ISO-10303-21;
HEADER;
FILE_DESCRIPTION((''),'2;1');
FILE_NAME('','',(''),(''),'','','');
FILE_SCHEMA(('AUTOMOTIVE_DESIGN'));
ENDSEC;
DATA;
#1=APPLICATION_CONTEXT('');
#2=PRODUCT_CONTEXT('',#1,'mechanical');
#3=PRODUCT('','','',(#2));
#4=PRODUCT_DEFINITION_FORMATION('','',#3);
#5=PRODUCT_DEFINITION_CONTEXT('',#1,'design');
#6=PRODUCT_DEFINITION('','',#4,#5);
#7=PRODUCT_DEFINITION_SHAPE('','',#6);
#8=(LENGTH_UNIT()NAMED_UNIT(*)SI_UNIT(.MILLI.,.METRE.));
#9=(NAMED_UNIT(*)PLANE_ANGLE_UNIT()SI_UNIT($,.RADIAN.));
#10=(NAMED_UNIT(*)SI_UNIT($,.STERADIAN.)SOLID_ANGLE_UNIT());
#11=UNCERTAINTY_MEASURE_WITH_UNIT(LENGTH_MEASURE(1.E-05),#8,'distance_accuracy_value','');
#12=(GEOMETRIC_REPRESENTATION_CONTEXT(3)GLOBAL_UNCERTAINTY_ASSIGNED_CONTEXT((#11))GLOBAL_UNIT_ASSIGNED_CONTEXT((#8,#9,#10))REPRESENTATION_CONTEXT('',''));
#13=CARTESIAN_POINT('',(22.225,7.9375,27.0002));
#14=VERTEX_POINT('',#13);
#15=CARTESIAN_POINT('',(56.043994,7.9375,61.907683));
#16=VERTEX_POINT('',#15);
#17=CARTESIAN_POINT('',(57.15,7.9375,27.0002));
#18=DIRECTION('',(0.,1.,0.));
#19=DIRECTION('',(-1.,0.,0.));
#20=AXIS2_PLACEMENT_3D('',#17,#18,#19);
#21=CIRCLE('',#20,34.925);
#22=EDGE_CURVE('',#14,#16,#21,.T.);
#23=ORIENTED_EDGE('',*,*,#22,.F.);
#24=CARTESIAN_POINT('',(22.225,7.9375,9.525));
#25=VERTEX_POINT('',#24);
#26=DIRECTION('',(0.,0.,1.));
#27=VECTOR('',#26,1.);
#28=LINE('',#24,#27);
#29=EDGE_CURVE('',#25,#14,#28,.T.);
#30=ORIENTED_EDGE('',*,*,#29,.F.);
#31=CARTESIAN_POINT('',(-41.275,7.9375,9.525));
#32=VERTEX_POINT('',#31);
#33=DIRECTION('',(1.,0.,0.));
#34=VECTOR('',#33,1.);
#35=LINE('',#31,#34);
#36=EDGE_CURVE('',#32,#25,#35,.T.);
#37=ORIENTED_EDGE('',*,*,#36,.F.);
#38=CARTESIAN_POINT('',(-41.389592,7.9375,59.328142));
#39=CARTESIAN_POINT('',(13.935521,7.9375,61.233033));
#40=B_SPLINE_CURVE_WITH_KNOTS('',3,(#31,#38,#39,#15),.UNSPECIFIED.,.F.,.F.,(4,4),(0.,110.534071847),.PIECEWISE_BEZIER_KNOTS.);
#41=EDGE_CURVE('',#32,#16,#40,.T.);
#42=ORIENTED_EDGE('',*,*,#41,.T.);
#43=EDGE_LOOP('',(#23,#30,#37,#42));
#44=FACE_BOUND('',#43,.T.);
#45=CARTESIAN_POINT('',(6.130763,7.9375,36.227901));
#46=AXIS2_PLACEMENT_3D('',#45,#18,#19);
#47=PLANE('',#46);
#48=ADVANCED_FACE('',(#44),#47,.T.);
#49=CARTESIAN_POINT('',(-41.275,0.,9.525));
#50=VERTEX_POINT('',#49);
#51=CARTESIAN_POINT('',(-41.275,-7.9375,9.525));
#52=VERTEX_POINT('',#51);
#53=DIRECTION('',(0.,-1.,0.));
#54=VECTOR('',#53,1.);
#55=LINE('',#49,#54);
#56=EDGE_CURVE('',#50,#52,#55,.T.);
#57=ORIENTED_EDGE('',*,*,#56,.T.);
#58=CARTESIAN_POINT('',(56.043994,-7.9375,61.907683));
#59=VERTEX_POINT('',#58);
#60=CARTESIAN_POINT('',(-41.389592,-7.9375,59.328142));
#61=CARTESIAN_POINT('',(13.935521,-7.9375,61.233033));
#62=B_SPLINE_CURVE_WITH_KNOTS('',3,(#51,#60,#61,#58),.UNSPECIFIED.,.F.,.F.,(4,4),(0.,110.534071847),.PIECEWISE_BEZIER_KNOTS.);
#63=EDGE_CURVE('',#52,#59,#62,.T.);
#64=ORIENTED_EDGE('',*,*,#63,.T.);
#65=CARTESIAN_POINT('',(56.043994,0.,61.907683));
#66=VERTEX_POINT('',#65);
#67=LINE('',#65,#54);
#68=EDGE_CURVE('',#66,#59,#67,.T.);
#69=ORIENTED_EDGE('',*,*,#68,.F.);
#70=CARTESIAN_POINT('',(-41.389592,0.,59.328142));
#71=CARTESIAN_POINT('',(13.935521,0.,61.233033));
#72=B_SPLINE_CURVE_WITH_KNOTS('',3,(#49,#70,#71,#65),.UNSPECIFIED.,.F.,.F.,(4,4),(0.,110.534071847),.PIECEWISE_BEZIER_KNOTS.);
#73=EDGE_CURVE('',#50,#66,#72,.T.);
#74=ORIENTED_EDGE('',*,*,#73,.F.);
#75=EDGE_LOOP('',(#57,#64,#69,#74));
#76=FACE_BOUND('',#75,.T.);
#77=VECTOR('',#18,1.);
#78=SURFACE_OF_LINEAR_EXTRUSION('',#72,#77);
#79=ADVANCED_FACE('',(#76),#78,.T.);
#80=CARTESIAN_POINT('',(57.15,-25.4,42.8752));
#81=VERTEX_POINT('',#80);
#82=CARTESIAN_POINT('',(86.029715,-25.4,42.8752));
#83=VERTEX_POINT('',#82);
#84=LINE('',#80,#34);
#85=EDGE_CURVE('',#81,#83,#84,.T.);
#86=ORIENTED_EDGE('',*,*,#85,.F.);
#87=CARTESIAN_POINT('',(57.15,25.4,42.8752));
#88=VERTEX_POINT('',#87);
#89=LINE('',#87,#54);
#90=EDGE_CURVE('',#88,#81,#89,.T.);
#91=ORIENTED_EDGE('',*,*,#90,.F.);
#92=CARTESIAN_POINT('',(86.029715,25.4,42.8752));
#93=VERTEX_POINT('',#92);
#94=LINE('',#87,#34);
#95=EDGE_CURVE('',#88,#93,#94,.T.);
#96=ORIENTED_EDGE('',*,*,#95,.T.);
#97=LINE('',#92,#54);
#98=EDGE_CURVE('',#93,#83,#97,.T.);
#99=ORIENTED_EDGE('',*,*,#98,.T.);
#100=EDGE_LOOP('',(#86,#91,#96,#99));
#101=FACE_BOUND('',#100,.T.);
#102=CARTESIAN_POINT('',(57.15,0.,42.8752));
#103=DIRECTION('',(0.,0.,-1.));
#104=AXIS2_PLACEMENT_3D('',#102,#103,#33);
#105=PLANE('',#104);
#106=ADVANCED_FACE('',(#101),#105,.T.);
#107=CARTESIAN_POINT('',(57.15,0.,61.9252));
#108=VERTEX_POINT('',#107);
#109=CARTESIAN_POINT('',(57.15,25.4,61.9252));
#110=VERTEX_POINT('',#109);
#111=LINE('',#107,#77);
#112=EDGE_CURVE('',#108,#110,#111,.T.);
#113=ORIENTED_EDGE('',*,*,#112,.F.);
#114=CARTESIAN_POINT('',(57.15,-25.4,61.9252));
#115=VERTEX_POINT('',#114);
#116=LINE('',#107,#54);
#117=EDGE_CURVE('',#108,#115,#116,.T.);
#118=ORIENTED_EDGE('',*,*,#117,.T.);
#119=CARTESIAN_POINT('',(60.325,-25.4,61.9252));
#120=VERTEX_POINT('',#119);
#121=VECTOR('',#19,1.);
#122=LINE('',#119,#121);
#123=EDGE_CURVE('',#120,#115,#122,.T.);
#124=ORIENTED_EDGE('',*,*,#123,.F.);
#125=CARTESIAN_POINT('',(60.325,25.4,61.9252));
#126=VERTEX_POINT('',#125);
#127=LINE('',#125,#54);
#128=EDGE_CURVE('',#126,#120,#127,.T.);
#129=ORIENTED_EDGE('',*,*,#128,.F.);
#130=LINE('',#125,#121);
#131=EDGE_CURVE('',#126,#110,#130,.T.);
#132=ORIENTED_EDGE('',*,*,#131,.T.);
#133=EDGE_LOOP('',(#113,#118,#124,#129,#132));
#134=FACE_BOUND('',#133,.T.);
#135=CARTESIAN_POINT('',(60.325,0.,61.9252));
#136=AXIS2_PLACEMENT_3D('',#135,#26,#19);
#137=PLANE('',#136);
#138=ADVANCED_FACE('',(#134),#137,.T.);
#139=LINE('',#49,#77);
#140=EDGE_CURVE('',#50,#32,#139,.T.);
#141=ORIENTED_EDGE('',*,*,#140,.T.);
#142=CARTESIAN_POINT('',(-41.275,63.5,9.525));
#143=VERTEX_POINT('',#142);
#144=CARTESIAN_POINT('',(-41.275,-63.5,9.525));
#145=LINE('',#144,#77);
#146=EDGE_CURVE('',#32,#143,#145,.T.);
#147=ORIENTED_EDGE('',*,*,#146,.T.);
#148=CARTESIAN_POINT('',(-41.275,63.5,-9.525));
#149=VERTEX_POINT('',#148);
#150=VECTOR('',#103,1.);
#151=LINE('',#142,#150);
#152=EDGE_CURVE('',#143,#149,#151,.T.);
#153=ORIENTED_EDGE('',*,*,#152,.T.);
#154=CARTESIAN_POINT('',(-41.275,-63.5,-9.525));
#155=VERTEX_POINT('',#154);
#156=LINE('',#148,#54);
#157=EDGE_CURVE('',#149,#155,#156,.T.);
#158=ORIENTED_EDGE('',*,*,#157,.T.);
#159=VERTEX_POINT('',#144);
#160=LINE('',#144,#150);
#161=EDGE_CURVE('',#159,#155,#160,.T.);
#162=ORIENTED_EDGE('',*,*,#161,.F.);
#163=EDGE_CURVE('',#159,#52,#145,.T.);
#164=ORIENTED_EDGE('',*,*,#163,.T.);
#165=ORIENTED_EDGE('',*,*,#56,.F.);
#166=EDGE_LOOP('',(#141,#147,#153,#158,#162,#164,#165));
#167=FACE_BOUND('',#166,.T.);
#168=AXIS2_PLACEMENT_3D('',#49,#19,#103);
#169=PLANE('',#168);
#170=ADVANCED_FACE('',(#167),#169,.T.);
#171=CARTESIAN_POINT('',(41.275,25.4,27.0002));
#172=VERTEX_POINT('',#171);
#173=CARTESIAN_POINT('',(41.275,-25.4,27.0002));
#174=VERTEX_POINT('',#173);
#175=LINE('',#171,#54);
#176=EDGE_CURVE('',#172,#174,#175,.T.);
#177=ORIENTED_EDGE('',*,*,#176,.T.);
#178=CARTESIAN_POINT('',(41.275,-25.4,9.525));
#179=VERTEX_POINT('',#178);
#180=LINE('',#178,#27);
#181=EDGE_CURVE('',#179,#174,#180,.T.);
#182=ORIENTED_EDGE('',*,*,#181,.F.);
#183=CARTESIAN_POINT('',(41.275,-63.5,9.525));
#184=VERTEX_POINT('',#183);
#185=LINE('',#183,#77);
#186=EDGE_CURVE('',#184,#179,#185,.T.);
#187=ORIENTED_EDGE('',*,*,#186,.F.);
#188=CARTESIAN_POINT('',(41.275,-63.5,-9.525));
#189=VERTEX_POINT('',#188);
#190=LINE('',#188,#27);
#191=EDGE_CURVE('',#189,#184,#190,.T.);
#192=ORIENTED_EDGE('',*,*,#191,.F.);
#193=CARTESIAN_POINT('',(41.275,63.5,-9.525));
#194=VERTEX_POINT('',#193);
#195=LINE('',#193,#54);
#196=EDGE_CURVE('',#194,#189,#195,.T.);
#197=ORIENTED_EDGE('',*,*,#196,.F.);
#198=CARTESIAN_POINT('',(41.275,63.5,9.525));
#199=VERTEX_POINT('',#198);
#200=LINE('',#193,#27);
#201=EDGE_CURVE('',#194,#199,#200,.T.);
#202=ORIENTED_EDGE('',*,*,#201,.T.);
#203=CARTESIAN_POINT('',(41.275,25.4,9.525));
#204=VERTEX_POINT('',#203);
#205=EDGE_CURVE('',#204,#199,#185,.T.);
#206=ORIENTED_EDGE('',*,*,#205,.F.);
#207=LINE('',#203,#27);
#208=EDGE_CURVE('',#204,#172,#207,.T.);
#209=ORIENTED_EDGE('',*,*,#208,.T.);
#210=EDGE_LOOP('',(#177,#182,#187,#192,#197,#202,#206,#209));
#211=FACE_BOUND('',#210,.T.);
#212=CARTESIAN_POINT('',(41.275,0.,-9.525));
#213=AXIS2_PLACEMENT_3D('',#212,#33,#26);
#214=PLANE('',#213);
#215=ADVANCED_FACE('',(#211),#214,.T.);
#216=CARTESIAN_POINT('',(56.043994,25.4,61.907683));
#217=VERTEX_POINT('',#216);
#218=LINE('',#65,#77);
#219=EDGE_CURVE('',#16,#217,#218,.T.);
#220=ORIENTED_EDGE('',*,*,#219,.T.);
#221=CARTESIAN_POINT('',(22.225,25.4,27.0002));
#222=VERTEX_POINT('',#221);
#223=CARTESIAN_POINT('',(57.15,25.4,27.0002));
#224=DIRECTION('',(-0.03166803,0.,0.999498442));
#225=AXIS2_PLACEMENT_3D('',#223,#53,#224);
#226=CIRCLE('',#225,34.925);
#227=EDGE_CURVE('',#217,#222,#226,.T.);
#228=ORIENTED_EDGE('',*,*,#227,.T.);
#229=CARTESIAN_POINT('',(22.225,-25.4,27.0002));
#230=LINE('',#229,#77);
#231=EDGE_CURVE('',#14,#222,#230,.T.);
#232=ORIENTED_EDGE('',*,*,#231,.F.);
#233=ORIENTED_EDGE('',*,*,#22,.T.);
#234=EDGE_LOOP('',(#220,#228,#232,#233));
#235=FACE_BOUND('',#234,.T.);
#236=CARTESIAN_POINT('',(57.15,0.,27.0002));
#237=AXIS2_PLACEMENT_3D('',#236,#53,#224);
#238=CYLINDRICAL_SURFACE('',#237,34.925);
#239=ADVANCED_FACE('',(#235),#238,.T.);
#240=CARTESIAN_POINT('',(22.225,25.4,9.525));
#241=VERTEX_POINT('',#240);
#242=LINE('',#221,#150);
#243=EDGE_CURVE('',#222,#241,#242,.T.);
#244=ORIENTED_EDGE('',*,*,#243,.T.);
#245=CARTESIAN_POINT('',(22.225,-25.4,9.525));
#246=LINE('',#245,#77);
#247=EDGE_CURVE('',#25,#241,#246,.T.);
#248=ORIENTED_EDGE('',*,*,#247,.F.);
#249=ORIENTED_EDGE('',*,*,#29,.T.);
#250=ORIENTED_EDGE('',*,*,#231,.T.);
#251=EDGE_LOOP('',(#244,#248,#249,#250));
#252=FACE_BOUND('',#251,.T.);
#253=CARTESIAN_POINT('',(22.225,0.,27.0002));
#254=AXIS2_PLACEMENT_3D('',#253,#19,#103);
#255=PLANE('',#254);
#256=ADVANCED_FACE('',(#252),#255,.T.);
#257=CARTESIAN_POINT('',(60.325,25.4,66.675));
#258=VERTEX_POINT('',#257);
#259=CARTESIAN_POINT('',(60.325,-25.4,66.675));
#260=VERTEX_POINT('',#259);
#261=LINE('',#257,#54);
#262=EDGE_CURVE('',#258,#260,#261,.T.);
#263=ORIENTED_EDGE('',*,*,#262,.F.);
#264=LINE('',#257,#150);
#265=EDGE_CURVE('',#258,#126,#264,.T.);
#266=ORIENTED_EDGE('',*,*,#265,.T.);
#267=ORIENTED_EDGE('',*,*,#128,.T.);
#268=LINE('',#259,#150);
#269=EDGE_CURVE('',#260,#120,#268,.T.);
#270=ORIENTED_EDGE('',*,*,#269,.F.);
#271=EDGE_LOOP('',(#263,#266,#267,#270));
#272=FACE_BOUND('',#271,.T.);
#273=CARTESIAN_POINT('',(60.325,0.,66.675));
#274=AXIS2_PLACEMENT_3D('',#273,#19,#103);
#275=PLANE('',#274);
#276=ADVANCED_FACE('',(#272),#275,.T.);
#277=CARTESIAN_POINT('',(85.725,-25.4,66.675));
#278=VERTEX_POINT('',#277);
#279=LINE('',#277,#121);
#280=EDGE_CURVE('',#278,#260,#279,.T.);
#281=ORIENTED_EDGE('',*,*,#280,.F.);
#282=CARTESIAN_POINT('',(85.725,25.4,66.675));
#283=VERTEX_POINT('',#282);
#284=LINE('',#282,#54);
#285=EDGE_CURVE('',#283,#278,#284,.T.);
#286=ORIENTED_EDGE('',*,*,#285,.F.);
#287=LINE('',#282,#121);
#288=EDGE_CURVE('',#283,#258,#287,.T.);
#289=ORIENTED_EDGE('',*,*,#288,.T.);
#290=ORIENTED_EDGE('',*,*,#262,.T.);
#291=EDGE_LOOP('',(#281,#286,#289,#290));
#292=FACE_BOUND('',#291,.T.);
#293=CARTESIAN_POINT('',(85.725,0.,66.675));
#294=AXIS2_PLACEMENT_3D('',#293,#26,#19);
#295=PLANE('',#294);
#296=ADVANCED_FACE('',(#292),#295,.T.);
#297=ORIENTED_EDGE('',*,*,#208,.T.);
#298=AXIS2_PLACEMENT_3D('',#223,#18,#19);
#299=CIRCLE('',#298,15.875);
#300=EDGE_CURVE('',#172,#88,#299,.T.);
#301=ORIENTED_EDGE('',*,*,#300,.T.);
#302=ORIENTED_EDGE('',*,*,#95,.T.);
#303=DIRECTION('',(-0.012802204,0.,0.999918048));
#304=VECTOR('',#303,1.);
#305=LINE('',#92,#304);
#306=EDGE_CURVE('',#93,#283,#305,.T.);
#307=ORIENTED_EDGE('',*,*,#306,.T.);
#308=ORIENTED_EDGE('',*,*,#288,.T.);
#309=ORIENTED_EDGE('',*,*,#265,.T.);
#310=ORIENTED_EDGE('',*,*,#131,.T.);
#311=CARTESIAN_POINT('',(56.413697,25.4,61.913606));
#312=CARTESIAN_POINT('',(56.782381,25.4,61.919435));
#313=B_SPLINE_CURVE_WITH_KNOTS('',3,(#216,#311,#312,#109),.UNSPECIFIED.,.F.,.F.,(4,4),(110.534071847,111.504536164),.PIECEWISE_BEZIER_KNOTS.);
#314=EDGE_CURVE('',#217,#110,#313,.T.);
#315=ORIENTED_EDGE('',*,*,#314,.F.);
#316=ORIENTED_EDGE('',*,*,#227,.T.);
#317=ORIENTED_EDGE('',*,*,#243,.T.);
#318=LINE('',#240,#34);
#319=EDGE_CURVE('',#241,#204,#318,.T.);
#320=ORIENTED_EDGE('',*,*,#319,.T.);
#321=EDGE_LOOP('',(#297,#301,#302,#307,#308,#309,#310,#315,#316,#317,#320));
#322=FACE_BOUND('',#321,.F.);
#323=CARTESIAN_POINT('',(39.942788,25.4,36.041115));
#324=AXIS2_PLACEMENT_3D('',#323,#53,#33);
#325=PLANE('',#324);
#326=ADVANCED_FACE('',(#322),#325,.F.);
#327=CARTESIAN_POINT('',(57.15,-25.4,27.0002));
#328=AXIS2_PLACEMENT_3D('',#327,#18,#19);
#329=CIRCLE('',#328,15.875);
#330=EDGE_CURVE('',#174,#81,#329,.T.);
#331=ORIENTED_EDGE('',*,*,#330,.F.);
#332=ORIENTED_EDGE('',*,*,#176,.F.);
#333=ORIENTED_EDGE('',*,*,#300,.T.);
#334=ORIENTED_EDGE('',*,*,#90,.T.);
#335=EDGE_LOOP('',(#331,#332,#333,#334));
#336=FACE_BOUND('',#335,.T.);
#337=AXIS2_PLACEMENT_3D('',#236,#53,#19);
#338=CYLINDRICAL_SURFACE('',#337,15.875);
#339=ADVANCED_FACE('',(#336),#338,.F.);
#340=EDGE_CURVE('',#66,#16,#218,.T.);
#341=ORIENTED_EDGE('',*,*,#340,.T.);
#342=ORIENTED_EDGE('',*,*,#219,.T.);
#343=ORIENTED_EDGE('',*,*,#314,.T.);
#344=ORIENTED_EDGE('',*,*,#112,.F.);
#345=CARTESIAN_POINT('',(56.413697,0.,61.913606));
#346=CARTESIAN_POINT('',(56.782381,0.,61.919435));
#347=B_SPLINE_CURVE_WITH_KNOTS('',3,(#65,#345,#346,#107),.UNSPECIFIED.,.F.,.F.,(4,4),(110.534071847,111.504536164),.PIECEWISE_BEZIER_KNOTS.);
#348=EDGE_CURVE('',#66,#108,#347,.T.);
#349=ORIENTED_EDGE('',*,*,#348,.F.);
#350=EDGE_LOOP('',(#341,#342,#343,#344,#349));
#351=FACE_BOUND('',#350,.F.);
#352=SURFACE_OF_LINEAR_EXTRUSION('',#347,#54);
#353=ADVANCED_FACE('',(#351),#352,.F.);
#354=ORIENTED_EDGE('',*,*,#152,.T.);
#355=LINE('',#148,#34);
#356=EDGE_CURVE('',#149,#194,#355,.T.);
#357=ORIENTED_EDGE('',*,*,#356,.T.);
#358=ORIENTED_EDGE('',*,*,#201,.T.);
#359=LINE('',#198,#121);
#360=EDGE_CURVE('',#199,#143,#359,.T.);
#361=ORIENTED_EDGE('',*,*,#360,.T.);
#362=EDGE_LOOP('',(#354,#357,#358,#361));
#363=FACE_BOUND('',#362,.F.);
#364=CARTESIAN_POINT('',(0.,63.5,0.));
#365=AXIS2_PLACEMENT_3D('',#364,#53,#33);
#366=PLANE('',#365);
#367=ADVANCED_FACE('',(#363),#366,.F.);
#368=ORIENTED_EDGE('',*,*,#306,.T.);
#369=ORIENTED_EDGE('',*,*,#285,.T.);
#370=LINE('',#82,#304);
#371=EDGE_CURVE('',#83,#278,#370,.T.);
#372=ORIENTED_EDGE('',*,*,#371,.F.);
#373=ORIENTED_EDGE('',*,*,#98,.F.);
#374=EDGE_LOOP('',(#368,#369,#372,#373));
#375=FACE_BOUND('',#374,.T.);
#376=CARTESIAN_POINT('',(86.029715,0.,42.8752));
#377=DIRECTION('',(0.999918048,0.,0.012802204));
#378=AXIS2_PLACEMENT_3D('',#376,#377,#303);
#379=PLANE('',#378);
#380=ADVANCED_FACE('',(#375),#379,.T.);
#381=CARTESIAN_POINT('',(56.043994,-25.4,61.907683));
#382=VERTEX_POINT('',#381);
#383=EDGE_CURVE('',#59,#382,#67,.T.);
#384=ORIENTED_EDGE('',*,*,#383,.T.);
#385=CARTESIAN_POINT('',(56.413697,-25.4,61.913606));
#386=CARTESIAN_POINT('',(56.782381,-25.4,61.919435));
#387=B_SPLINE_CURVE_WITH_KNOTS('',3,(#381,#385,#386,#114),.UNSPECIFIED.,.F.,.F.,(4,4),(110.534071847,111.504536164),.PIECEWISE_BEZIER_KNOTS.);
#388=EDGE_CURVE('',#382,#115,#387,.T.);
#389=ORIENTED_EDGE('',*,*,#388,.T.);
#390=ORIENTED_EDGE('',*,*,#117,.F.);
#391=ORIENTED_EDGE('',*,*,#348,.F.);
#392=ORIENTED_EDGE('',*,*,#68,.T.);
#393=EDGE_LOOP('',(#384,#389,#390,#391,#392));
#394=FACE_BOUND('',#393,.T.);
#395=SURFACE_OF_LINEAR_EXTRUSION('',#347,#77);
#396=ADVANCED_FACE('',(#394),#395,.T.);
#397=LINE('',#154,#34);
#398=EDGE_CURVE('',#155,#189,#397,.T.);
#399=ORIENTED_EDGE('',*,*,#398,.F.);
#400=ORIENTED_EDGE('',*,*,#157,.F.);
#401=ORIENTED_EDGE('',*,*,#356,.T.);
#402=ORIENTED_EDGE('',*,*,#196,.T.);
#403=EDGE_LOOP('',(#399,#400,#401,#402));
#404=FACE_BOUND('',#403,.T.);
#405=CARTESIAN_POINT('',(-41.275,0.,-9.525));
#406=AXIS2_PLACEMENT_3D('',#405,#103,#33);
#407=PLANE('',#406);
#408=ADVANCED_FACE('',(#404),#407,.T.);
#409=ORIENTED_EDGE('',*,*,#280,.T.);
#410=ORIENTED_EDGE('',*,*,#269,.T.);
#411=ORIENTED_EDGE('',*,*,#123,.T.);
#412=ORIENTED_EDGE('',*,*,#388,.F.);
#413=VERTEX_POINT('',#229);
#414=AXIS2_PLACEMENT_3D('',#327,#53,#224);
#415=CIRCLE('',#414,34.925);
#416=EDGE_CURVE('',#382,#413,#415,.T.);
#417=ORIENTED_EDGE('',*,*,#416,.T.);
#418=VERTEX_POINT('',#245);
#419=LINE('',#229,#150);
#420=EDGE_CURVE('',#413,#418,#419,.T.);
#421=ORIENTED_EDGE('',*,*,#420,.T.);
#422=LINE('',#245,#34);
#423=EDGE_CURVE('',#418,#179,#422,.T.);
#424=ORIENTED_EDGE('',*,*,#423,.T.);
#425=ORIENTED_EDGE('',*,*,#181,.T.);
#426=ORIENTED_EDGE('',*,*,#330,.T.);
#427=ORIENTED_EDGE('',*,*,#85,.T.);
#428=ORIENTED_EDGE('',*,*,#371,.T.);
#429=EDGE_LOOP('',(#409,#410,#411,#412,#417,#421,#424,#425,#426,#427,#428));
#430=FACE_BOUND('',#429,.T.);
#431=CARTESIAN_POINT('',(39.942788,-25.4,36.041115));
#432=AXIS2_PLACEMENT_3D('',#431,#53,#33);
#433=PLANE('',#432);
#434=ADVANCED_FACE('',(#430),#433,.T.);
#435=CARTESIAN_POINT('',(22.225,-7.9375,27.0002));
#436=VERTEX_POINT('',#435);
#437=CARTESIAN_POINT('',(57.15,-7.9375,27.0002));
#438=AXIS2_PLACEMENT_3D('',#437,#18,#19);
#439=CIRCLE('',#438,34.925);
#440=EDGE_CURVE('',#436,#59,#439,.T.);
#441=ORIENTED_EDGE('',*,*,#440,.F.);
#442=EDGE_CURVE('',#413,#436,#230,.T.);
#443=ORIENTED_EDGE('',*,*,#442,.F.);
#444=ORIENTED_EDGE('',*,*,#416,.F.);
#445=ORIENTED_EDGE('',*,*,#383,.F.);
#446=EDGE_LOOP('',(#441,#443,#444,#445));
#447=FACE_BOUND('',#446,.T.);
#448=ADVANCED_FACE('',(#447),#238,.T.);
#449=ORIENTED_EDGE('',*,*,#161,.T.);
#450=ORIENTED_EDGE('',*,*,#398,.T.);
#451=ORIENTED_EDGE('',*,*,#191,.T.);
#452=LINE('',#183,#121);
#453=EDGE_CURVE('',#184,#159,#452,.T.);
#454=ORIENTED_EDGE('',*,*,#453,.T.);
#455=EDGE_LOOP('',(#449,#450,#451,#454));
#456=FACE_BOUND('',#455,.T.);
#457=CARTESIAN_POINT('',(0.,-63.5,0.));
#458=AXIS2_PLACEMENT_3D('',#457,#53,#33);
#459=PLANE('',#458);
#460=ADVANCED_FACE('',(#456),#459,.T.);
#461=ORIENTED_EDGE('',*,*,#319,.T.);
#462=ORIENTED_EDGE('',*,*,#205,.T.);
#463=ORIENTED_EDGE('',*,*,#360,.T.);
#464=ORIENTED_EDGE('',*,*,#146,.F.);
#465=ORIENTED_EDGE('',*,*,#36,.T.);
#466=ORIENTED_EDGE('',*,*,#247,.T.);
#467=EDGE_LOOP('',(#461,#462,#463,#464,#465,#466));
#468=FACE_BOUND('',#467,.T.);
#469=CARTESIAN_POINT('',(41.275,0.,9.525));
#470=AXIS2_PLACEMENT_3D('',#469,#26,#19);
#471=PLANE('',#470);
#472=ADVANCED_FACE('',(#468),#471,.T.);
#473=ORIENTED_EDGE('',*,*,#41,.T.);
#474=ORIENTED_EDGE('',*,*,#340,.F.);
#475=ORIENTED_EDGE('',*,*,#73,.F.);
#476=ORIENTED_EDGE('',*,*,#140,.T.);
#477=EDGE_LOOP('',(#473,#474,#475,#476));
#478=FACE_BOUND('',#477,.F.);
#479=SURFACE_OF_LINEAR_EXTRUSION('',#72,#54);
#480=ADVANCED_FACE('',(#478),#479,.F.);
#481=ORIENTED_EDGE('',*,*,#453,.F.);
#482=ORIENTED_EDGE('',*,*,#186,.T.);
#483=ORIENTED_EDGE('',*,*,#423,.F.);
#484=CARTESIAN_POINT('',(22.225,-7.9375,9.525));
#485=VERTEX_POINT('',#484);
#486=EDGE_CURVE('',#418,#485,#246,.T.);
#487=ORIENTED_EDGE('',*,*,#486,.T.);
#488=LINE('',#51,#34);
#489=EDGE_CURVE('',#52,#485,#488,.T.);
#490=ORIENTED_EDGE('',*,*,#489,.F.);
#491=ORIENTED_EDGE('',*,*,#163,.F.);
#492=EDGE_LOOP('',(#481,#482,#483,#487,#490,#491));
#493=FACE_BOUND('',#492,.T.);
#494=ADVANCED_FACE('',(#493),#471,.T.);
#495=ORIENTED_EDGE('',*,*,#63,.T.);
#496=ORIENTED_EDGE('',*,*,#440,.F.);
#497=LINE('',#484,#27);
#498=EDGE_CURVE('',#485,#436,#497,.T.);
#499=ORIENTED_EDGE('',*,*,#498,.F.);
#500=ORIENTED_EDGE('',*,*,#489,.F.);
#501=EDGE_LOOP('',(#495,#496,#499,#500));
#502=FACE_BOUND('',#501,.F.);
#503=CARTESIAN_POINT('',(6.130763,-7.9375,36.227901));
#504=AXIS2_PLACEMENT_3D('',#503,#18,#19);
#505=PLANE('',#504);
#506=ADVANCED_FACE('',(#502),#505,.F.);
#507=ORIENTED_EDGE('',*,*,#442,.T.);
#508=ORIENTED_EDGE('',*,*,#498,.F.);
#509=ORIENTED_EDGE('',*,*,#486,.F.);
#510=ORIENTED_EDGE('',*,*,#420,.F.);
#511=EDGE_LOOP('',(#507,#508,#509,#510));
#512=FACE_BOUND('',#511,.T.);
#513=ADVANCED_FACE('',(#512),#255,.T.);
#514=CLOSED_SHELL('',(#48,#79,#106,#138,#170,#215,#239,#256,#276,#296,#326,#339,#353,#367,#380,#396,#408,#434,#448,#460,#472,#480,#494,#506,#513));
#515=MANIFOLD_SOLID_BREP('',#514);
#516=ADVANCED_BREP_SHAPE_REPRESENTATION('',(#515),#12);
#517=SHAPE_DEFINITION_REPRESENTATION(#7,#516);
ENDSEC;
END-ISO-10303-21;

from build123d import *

# Parameters (mm, degrees)
F1_DEPTH = 63.5
F2_DEPTH = 25.4
F3_DEPTH = 7.9375


with BuildPart() as f1:
    # F0 (on Front) → F1 (new body, symmetric)
    with BuildSketch(Plane.XZ):
        Polygon((-41.275, 9.525), (-41.275, -9.525), (41.275, -9.525), (41.275, 9.525), (22.225, 9.525), align=None)
    extrude(amount=F1_DEPTH, both=True)

    # F0 (on Front) → F2 (join, symmetric)
    with BuildSketch(Plane.XZ):
        with BuildLine():
            Line((22.225, 9.525), (41.275, 9.525))
            Line((41.275, 9.525), (41.275, 27.0002))
            ThreePointArc((41.275, 27.0002), (45.9246798487, 38.2255201513), (57.15, 42.8752))
            Line((57.15, 42.8752), (60.325, 42.8752))
            Line((60.325, 42.8752), (60.325, 61.9252))
            Line((60.325, 61.9252), (57.15, 61.9252))
            add(Edge.make_bspline(
                [(56.0439940471, 61.9076830922), (56.4136969839, 61.9136063659), (56.7823811234, 61.9194348071), (57.15, 61.9252)],
                knots=[110.5340718473, 110.5340718473, 110.5340718473, 110.5340718473, 111.5045361635, 111.5045361635, 111.5045361635, 111.5045361635], degree=3))
            ThreePointArc((56.0439940471, 61.9076830922), (32.0663112471, 51.3017263625), (22.225, 27.0002))
            Line((22.225, 27.0002), (22.225, 9.525))
        make_face()
        Polygon((60.325, 66.675), (60.325, 61.9252), (60.325, 42.8752), (86.0297148728, 42.8752), (85.725, 66.675), align=None)
    extrude(amount=F2_DEPTH, both=True)

    # F0 (on Front) → F3 (join, symmetric)
    with BuildSketch(Plane.XZ):
        with BuildLine():
            add(Edge.make_bspline(
                [(-41.275, 9.525), (-41.3895917306, 59.328141832), (13.9355205015, 61.2330332862), (56.0439940471, 61.9076830922)],
                knots=[0, 0, 0, 0, 110.5340718473, 110.5340718473, 110.5340718473, 110.5340718473], degree=3))
            Line((-41.275, 9.525), (22.225, 9.525))
            Line((22.225, 9.525), (22.225, 27.0002))
            ThreePointArc((22.225, 27.0002), (32.0663112471, 51.3017263625), (56.0439940471, 61.9076830922))
        make_face()
    extrude(amount=F3_DEPTH, both=True)


solid = f1.part
